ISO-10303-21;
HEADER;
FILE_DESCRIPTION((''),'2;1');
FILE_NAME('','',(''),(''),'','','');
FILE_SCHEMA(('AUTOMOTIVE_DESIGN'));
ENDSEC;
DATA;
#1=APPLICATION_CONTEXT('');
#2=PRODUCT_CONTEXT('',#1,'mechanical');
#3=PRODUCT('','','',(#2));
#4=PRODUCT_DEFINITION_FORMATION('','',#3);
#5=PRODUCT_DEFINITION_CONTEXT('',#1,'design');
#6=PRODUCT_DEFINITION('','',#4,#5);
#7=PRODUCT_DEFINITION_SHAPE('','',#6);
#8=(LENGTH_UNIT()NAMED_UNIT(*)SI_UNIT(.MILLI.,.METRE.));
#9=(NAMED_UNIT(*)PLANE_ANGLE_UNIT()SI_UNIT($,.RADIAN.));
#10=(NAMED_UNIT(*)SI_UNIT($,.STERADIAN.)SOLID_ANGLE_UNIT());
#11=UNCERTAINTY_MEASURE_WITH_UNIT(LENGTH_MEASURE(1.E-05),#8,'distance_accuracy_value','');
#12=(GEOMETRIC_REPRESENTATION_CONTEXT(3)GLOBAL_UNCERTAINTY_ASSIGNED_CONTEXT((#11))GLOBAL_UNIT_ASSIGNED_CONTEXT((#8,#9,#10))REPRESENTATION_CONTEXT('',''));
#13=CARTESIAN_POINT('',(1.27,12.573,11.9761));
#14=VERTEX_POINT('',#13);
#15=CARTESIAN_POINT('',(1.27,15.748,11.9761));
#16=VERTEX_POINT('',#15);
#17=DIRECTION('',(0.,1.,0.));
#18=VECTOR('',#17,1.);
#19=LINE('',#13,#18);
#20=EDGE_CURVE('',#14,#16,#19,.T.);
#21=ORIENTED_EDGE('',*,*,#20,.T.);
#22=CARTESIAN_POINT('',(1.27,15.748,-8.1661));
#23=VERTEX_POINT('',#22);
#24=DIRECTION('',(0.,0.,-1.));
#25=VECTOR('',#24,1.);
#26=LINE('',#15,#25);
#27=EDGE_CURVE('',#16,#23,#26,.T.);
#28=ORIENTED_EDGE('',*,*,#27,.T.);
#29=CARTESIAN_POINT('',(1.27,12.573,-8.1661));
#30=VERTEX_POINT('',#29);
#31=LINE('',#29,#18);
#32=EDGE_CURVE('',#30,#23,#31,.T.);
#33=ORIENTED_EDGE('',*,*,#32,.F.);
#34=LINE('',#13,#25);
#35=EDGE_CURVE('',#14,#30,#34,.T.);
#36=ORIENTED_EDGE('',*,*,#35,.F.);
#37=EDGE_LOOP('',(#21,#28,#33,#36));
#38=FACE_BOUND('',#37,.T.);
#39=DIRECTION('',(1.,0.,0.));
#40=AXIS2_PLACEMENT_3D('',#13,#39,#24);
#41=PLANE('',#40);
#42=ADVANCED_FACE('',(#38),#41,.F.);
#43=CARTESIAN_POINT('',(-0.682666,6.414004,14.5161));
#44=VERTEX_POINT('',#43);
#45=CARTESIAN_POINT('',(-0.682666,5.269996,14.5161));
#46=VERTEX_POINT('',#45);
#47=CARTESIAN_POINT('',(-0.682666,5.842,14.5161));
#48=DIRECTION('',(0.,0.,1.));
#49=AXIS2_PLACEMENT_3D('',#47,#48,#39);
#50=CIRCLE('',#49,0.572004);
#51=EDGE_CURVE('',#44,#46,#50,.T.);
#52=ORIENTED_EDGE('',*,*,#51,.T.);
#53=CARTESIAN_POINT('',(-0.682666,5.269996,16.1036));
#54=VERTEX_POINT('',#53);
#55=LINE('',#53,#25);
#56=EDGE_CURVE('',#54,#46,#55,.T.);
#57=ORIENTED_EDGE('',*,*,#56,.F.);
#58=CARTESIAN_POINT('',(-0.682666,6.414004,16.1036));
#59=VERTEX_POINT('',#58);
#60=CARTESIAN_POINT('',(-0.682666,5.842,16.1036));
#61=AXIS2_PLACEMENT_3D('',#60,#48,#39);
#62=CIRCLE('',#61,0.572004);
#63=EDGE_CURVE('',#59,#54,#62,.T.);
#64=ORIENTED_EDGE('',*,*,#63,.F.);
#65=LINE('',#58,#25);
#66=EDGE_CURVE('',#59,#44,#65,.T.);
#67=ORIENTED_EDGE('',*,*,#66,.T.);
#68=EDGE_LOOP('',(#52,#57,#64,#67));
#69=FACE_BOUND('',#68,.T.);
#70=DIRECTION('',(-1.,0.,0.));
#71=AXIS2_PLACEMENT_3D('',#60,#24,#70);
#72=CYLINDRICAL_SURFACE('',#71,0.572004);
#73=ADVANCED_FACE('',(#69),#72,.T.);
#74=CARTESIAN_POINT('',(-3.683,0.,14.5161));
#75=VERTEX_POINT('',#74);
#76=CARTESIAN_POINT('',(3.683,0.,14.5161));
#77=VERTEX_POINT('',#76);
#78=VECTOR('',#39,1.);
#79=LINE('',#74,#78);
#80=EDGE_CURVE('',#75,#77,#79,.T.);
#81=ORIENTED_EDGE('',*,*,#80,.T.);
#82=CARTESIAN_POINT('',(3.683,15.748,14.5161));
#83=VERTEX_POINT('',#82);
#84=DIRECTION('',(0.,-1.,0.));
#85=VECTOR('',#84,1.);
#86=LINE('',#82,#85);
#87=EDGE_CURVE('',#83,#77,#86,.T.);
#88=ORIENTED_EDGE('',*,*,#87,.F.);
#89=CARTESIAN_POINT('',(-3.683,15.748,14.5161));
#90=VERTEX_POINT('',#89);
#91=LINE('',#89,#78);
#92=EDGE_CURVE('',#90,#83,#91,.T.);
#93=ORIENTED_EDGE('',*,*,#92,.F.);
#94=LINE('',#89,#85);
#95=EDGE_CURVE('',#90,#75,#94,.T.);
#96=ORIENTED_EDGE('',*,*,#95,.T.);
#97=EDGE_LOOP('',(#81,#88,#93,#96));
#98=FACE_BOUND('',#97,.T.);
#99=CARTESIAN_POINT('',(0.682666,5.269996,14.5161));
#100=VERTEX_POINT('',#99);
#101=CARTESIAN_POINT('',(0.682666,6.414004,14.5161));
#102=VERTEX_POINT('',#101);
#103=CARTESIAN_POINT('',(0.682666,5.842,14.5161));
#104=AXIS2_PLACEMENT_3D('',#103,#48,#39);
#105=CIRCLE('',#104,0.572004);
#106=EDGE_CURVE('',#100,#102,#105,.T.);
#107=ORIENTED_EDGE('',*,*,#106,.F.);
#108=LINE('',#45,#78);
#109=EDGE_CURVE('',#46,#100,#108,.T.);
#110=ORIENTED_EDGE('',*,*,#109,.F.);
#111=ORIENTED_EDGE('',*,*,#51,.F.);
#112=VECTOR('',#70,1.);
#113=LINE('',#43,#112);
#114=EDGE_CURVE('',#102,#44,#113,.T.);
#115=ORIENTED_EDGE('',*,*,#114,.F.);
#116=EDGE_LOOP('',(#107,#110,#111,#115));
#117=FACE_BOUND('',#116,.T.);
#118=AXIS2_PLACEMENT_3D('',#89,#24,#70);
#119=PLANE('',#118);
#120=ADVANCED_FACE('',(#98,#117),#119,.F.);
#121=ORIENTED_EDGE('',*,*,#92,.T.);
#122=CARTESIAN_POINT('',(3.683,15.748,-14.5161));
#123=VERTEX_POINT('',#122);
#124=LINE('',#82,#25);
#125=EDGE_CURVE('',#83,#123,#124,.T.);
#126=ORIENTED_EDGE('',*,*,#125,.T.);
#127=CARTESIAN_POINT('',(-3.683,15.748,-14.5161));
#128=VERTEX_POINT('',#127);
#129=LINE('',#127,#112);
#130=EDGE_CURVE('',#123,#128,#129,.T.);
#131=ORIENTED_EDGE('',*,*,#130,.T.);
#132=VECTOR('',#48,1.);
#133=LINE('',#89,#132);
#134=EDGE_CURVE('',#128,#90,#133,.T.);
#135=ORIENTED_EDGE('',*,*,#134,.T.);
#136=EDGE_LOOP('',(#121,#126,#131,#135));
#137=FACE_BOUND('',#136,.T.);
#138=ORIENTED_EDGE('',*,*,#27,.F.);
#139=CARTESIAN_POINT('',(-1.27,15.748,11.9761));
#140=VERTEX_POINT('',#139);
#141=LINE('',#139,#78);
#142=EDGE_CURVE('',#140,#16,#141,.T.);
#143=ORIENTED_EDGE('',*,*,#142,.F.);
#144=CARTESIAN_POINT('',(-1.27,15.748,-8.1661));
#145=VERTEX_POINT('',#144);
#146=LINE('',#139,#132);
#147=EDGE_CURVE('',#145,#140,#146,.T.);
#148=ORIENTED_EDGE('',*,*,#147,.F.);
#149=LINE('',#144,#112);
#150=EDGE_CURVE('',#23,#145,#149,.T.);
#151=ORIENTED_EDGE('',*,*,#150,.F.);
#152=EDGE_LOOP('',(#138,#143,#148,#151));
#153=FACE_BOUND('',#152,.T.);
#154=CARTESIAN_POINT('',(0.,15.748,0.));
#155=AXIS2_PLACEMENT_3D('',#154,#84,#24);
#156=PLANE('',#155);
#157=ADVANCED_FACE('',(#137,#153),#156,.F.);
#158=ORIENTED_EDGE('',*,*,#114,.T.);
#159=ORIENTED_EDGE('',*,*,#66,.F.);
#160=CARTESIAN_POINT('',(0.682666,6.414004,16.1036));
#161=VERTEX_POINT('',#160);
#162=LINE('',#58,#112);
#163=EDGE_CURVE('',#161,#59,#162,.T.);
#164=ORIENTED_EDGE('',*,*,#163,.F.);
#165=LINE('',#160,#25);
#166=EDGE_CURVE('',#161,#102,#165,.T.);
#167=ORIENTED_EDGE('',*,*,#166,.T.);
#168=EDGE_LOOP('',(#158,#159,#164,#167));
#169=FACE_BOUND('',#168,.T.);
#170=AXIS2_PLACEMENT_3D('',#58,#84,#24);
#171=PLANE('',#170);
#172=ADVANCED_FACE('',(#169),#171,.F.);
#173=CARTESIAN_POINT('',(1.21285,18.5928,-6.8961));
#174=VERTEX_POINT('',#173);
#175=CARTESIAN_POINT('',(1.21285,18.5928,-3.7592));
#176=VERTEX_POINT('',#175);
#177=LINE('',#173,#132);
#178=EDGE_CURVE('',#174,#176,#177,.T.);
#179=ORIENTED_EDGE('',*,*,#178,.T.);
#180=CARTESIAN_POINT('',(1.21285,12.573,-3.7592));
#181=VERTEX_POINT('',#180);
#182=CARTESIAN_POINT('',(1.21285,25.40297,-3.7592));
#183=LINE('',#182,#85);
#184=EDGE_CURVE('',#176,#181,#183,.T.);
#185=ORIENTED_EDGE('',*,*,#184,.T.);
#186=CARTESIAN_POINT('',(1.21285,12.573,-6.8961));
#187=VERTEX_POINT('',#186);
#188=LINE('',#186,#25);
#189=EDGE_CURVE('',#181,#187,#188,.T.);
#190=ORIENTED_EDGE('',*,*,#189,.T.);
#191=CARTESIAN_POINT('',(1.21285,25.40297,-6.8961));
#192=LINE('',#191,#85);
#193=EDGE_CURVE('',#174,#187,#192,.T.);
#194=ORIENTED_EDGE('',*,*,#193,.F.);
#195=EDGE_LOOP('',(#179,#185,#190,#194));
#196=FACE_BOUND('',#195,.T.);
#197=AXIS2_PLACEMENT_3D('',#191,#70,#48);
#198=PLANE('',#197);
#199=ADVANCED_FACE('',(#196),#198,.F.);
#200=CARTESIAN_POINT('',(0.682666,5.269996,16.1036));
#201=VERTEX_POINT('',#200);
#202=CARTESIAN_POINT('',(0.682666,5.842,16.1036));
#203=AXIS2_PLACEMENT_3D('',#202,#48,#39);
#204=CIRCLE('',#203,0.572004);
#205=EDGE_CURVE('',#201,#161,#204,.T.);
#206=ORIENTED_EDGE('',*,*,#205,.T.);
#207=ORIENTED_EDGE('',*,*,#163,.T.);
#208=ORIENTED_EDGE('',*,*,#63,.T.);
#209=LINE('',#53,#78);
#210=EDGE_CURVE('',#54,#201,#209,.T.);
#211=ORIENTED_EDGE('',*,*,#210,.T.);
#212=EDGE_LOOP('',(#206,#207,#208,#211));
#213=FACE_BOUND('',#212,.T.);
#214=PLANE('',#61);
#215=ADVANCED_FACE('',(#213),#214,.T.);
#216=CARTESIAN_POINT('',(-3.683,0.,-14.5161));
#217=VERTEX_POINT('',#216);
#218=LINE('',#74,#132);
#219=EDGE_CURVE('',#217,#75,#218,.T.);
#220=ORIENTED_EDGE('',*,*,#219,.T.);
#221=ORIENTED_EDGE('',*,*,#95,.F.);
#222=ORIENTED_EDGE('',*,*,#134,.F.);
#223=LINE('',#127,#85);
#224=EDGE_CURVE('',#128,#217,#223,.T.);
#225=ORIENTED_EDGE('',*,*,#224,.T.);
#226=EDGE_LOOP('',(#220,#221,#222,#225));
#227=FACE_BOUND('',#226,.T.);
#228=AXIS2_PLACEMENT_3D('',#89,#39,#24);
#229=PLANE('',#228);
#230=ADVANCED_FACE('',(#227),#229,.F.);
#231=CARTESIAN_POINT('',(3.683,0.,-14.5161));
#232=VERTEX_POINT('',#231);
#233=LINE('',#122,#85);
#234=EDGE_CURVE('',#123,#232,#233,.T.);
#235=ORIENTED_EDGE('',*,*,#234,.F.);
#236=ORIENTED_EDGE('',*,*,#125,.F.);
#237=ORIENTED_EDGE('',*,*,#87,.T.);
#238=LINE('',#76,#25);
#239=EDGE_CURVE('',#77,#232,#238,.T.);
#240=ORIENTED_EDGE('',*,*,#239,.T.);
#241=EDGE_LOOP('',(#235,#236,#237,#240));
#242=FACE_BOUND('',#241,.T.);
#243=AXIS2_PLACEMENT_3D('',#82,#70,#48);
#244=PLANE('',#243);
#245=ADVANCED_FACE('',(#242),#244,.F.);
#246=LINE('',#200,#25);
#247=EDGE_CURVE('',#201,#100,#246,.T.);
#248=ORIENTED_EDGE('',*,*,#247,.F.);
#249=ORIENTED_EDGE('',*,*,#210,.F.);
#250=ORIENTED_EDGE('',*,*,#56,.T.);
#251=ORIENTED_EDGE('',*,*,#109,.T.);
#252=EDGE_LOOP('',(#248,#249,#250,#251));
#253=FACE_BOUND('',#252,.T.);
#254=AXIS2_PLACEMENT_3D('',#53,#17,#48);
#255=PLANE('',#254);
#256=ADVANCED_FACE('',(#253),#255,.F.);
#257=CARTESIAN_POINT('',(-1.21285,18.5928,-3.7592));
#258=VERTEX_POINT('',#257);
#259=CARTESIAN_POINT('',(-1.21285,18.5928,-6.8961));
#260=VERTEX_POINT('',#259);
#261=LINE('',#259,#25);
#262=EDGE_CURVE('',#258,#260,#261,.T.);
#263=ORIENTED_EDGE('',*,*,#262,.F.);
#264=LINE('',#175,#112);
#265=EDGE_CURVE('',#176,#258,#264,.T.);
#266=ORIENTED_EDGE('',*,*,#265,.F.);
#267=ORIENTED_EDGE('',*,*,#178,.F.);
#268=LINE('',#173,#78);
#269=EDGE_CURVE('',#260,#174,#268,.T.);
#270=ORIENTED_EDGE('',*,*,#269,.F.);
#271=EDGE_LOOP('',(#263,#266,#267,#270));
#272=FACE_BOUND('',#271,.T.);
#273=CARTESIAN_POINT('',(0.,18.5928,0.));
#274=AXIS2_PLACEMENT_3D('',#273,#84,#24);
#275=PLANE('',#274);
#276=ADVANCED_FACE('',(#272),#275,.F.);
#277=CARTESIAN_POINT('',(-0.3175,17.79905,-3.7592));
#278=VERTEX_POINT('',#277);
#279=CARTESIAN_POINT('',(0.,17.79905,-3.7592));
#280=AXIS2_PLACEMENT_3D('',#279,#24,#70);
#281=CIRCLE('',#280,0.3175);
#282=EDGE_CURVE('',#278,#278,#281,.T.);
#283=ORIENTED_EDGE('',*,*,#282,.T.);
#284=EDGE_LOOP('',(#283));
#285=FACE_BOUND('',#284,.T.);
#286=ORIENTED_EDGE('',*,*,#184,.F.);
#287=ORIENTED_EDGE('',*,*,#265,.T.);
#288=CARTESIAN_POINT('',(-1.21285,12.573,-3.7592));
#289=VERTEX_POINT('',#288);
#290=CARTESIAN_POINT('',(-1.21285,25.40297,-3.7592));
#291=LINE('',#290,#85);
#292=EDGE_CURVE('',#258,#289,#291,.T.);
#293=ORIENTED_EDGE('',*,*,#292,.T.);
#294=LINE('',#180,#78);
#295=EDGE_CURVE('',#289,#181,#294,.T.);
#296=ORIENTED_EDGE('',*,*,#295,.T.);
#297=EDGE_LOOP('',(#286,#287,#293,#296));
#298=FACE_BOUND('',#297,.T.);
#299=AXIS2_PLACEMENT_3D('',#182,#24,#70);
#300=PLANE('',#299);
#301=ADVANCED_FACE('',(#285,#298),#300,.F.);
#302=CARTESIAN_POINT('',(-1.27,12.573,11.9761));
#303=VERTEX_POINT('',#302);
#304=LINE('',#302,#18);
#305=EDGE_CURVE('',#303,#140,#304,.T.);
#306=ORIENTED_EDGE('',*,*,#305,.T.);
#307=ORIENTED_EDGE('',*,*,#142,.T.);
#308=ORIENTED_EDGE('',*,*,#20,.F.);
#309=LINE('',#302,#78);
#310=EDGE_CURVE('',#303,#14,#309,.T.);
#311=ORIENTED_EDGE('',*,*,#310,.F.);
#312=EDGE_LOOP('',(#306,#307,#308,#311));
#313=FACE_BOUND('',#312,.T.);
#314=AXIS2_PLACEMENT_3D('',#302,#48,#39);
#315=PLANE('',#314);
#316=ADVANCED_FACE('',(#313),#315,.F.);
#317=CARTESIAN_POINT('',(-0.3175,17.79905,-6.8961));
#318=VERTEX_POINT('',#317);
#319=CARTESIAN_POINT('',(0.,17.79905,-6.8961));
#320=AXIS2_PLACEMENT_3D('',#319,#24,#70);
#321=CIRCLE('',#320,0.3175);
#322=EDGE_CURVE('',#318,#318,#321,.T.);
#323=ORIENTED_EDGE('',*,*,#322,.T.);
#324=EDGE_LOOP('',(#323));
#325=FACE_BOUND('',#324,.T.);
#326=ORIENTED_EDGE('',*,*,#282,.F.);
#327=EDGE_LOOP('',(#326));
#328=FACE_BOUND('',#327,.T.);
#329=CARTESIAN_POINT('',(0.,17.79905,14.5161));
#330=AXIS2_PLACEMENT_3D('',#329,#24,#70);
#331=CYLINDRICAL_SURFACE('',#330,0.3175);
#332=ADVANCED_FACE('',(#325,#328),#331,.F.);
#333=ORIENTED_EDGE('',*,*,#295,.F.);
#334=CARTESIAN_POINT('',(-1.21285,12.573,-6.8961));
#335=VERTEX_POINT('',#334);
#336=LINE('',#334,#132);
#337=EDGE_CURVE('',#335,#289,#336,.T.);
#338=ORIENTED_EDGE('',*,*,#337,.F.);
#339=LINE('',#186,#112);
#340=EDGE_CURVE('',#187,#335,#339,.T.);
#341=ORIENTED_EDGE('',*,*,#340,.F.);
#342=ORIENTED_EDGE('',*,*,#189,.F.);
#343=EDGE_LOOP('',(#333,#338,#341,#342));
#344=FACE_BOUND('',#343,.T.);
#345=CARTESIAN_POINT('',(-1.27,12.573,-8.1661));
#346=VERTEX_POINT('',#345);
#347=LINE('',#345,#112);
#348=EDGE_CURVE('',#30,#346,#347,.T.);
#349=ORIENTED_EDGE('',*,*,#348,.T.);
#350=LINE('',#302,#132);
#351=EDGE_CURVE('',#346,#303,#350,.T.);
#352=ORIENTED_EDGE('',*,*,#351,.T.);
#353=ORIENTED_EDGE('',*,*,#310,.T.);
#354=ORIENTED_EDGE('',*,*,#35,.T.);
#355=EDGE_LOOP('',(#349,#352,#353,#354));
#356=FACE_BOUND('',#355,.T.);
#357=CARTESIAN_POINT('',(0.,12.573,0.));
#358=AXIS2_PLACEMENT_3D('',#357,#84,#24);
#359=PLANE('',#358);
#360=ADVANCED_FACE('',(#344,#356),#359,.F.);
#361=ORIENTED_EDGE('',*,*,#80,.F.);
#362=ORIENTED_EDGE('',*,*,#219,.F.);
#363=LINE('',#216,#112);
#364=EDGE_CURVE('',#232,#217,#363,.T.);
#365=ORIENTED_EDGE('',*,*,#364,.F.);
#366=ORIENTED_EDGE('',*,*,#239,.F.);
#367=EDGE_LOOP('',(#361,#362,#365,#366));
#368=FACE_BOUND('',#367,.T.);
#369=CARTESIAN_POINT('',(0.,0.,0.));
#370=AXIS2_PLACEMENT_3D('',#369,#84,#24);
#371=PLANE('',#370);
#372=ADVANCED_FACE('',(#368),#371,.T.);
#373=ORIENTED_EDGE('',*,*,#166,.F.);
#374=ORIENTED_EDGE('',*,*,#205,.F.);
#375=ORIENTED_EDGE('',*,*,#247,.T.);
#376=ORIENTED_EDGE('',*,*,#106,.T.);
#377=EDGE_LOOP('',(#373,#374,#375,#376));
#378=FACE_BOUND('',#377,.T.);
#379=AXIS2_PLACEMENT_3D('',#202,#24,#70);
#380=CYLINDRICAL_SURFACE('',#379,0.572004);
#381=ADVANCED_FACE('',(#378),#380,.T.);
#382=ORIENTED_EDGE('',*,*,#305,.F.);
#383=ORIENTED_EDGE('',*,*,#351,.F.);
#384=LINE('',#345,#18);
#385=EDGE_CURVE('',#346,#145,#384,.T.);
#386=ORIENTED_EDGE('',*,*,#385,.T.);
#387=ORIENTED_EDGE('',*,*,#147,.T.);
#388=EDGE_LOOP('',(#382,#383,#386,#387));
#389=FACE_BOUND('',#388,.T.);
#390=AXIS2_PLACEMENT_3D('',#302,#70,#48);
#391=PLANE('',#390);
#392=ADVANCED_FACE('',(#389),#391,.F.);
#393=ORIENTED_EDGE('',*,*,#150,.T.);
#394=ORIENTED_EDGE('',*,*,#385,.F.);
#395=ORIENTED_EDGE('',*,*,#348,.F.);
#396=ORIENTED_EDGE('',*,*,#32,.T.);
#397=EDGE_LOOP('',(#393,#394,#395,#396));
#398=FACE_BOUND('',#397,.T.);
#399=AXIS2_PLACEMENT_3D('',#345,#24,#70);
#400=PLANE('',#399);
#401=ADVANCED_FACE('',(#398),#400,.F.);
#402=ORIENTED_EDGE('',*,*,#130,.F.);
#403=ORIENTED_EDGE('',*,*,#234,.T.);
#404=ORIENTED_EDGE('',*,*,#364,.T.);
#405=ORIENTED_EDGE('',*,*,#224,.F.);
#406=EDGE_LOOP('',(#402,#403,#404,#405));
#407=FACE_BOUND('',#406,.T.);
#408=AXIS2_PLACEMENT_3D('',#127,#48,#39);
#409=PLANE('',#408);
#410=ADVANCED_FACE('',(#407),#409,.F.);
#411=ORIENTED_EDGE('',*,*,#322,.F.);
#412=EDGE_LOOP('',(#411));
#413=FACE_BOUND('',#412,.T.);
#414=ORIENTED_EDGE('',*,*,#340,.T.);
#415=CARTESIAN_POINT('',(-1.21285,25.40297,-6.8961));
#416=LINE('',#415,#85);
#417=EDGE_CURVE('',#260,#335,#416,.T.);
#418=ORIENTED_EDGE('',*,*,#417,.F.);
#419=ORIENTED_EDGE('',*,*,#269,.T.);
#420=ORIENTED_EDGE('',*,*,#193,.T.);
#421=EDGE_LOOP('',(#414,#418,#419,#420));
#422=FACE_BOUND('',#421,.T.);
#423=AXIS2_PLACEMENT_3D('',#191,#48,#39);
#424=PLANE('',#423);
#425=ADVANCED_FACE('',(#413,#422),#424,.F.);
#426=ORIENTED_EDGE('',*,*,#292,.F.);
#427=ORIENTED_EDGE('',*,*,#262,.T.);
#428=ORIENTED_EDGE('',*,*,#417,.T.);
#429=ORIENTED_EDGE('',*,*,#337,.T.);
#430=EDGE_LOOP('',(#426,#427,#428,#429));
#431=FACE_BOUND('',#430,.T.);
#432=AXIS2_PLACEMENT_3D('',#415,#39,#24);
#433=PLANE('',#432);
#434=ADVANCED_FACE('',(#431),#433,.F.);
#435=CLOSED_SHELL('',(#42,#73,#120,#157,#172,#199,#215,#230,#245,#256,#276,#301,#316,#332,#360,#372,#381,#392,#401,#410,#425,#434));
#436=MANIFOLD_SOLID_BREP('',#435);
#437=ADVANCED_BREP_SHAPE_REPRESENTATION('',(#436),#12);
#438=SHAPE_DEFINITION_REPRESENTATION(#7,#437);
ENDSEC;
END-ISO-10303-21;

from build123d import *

# Parameters (mm, degrees)
SKETCH1_W           = 7.366
SKETCH1_H           = 29.0322
BOSS_EXTRUDE1_DEPTH = 15.748
SKETCH2_W           = 2.54
SKETCH2_H           = 20.1422
CUT_EXTRUDE1_DEPTH  = 3.175
SKETCH3_W           = 2.4257
SKETCH3_H           = 3.1369
BOSS_EXTRUDE2_DEPTH = 6.0198
SKETCH4_R           = 0.3175
CUT_EXTRUDE2_DEPTH  = 29.596136272
BOSS_EXTRUDE3_DEPTH = 1.5875


with BuildPart() as part:
    # Sketch1 → Boss-Extrude1 (new body)
    with BuildSketch(Plane(origin=(0, 0, 0), x_dir=(1, 0, 0), z_dir=(0, 1, 0))):
        Rectangle(SKETCH1_W, SKETCH1_H)
    extrude(amount=BOSS_EXTRUDE1_DEPTH)

    # Sketch2 → Cut-Extrude1 (cut)
    with BuildSketch(Plane(origin=(0, 15.748, 0), x_dir=(1, 0, 0), z_dir=(0, 1, 0))):
        with Locations((0, -1.905)):
            Rectangle(SKETCH2_W, SKETCH2_H)
    extrude(amount=-CUT_EXTRUDE1_DEPTH, mode=Mode.SUBTRACT)

    # Sketch3 → Boss-Extrude2 (add)
    with BuildSketch(Plane(origin=(0, 12.573, 0), x_dir=(1, 0, 0), z_dir=(0, 1, 0))):
        with Locations((0, 5.32765)):
            Rectangle(SKETCH3_W, SKETCH3_H)
    extrude(amount=BOSS_EXTRUDE2_DEPTH)

    # Sketch4 → Cut-Extrude2 (cut, through all)
    with BuildSketch(Plane(origin=(0, 0, -6.8961), x_dir=(-1, 0, 0), z_dir=(0, 0, -1))):
        with Locations((0, 17.79905)):
            Circle(SKETCH4_R)
    extrude(amount=-CUT_EXTRUDE2_DEPTH, mode=Mode.SUBTRACT)

    # Sketch5 → Boss-Extrude3 (add)
    with BuildSketch(Plane.XY.offset(14.5161)):
        with BuildLine():
            Line((-0.682666257, 6.414003725), (0.682666257, 6.414003725))
            ThreePointArc((0.682666257, 6.414003725), (1.254669982, 5.842), (0.682666257, 5.269996275))
            Line((0.682666257, 5.269996275), (-0.682666257, 5.269996275))
            ThreePointArc((-0.682666257, 5.269996275), (-1.254669982, 5.842), (-0.682666257, 6.414003725))
        make_face()
    extrude(amount=BOSS_EXTRUDE3_DEPTH)


solid = part.part
